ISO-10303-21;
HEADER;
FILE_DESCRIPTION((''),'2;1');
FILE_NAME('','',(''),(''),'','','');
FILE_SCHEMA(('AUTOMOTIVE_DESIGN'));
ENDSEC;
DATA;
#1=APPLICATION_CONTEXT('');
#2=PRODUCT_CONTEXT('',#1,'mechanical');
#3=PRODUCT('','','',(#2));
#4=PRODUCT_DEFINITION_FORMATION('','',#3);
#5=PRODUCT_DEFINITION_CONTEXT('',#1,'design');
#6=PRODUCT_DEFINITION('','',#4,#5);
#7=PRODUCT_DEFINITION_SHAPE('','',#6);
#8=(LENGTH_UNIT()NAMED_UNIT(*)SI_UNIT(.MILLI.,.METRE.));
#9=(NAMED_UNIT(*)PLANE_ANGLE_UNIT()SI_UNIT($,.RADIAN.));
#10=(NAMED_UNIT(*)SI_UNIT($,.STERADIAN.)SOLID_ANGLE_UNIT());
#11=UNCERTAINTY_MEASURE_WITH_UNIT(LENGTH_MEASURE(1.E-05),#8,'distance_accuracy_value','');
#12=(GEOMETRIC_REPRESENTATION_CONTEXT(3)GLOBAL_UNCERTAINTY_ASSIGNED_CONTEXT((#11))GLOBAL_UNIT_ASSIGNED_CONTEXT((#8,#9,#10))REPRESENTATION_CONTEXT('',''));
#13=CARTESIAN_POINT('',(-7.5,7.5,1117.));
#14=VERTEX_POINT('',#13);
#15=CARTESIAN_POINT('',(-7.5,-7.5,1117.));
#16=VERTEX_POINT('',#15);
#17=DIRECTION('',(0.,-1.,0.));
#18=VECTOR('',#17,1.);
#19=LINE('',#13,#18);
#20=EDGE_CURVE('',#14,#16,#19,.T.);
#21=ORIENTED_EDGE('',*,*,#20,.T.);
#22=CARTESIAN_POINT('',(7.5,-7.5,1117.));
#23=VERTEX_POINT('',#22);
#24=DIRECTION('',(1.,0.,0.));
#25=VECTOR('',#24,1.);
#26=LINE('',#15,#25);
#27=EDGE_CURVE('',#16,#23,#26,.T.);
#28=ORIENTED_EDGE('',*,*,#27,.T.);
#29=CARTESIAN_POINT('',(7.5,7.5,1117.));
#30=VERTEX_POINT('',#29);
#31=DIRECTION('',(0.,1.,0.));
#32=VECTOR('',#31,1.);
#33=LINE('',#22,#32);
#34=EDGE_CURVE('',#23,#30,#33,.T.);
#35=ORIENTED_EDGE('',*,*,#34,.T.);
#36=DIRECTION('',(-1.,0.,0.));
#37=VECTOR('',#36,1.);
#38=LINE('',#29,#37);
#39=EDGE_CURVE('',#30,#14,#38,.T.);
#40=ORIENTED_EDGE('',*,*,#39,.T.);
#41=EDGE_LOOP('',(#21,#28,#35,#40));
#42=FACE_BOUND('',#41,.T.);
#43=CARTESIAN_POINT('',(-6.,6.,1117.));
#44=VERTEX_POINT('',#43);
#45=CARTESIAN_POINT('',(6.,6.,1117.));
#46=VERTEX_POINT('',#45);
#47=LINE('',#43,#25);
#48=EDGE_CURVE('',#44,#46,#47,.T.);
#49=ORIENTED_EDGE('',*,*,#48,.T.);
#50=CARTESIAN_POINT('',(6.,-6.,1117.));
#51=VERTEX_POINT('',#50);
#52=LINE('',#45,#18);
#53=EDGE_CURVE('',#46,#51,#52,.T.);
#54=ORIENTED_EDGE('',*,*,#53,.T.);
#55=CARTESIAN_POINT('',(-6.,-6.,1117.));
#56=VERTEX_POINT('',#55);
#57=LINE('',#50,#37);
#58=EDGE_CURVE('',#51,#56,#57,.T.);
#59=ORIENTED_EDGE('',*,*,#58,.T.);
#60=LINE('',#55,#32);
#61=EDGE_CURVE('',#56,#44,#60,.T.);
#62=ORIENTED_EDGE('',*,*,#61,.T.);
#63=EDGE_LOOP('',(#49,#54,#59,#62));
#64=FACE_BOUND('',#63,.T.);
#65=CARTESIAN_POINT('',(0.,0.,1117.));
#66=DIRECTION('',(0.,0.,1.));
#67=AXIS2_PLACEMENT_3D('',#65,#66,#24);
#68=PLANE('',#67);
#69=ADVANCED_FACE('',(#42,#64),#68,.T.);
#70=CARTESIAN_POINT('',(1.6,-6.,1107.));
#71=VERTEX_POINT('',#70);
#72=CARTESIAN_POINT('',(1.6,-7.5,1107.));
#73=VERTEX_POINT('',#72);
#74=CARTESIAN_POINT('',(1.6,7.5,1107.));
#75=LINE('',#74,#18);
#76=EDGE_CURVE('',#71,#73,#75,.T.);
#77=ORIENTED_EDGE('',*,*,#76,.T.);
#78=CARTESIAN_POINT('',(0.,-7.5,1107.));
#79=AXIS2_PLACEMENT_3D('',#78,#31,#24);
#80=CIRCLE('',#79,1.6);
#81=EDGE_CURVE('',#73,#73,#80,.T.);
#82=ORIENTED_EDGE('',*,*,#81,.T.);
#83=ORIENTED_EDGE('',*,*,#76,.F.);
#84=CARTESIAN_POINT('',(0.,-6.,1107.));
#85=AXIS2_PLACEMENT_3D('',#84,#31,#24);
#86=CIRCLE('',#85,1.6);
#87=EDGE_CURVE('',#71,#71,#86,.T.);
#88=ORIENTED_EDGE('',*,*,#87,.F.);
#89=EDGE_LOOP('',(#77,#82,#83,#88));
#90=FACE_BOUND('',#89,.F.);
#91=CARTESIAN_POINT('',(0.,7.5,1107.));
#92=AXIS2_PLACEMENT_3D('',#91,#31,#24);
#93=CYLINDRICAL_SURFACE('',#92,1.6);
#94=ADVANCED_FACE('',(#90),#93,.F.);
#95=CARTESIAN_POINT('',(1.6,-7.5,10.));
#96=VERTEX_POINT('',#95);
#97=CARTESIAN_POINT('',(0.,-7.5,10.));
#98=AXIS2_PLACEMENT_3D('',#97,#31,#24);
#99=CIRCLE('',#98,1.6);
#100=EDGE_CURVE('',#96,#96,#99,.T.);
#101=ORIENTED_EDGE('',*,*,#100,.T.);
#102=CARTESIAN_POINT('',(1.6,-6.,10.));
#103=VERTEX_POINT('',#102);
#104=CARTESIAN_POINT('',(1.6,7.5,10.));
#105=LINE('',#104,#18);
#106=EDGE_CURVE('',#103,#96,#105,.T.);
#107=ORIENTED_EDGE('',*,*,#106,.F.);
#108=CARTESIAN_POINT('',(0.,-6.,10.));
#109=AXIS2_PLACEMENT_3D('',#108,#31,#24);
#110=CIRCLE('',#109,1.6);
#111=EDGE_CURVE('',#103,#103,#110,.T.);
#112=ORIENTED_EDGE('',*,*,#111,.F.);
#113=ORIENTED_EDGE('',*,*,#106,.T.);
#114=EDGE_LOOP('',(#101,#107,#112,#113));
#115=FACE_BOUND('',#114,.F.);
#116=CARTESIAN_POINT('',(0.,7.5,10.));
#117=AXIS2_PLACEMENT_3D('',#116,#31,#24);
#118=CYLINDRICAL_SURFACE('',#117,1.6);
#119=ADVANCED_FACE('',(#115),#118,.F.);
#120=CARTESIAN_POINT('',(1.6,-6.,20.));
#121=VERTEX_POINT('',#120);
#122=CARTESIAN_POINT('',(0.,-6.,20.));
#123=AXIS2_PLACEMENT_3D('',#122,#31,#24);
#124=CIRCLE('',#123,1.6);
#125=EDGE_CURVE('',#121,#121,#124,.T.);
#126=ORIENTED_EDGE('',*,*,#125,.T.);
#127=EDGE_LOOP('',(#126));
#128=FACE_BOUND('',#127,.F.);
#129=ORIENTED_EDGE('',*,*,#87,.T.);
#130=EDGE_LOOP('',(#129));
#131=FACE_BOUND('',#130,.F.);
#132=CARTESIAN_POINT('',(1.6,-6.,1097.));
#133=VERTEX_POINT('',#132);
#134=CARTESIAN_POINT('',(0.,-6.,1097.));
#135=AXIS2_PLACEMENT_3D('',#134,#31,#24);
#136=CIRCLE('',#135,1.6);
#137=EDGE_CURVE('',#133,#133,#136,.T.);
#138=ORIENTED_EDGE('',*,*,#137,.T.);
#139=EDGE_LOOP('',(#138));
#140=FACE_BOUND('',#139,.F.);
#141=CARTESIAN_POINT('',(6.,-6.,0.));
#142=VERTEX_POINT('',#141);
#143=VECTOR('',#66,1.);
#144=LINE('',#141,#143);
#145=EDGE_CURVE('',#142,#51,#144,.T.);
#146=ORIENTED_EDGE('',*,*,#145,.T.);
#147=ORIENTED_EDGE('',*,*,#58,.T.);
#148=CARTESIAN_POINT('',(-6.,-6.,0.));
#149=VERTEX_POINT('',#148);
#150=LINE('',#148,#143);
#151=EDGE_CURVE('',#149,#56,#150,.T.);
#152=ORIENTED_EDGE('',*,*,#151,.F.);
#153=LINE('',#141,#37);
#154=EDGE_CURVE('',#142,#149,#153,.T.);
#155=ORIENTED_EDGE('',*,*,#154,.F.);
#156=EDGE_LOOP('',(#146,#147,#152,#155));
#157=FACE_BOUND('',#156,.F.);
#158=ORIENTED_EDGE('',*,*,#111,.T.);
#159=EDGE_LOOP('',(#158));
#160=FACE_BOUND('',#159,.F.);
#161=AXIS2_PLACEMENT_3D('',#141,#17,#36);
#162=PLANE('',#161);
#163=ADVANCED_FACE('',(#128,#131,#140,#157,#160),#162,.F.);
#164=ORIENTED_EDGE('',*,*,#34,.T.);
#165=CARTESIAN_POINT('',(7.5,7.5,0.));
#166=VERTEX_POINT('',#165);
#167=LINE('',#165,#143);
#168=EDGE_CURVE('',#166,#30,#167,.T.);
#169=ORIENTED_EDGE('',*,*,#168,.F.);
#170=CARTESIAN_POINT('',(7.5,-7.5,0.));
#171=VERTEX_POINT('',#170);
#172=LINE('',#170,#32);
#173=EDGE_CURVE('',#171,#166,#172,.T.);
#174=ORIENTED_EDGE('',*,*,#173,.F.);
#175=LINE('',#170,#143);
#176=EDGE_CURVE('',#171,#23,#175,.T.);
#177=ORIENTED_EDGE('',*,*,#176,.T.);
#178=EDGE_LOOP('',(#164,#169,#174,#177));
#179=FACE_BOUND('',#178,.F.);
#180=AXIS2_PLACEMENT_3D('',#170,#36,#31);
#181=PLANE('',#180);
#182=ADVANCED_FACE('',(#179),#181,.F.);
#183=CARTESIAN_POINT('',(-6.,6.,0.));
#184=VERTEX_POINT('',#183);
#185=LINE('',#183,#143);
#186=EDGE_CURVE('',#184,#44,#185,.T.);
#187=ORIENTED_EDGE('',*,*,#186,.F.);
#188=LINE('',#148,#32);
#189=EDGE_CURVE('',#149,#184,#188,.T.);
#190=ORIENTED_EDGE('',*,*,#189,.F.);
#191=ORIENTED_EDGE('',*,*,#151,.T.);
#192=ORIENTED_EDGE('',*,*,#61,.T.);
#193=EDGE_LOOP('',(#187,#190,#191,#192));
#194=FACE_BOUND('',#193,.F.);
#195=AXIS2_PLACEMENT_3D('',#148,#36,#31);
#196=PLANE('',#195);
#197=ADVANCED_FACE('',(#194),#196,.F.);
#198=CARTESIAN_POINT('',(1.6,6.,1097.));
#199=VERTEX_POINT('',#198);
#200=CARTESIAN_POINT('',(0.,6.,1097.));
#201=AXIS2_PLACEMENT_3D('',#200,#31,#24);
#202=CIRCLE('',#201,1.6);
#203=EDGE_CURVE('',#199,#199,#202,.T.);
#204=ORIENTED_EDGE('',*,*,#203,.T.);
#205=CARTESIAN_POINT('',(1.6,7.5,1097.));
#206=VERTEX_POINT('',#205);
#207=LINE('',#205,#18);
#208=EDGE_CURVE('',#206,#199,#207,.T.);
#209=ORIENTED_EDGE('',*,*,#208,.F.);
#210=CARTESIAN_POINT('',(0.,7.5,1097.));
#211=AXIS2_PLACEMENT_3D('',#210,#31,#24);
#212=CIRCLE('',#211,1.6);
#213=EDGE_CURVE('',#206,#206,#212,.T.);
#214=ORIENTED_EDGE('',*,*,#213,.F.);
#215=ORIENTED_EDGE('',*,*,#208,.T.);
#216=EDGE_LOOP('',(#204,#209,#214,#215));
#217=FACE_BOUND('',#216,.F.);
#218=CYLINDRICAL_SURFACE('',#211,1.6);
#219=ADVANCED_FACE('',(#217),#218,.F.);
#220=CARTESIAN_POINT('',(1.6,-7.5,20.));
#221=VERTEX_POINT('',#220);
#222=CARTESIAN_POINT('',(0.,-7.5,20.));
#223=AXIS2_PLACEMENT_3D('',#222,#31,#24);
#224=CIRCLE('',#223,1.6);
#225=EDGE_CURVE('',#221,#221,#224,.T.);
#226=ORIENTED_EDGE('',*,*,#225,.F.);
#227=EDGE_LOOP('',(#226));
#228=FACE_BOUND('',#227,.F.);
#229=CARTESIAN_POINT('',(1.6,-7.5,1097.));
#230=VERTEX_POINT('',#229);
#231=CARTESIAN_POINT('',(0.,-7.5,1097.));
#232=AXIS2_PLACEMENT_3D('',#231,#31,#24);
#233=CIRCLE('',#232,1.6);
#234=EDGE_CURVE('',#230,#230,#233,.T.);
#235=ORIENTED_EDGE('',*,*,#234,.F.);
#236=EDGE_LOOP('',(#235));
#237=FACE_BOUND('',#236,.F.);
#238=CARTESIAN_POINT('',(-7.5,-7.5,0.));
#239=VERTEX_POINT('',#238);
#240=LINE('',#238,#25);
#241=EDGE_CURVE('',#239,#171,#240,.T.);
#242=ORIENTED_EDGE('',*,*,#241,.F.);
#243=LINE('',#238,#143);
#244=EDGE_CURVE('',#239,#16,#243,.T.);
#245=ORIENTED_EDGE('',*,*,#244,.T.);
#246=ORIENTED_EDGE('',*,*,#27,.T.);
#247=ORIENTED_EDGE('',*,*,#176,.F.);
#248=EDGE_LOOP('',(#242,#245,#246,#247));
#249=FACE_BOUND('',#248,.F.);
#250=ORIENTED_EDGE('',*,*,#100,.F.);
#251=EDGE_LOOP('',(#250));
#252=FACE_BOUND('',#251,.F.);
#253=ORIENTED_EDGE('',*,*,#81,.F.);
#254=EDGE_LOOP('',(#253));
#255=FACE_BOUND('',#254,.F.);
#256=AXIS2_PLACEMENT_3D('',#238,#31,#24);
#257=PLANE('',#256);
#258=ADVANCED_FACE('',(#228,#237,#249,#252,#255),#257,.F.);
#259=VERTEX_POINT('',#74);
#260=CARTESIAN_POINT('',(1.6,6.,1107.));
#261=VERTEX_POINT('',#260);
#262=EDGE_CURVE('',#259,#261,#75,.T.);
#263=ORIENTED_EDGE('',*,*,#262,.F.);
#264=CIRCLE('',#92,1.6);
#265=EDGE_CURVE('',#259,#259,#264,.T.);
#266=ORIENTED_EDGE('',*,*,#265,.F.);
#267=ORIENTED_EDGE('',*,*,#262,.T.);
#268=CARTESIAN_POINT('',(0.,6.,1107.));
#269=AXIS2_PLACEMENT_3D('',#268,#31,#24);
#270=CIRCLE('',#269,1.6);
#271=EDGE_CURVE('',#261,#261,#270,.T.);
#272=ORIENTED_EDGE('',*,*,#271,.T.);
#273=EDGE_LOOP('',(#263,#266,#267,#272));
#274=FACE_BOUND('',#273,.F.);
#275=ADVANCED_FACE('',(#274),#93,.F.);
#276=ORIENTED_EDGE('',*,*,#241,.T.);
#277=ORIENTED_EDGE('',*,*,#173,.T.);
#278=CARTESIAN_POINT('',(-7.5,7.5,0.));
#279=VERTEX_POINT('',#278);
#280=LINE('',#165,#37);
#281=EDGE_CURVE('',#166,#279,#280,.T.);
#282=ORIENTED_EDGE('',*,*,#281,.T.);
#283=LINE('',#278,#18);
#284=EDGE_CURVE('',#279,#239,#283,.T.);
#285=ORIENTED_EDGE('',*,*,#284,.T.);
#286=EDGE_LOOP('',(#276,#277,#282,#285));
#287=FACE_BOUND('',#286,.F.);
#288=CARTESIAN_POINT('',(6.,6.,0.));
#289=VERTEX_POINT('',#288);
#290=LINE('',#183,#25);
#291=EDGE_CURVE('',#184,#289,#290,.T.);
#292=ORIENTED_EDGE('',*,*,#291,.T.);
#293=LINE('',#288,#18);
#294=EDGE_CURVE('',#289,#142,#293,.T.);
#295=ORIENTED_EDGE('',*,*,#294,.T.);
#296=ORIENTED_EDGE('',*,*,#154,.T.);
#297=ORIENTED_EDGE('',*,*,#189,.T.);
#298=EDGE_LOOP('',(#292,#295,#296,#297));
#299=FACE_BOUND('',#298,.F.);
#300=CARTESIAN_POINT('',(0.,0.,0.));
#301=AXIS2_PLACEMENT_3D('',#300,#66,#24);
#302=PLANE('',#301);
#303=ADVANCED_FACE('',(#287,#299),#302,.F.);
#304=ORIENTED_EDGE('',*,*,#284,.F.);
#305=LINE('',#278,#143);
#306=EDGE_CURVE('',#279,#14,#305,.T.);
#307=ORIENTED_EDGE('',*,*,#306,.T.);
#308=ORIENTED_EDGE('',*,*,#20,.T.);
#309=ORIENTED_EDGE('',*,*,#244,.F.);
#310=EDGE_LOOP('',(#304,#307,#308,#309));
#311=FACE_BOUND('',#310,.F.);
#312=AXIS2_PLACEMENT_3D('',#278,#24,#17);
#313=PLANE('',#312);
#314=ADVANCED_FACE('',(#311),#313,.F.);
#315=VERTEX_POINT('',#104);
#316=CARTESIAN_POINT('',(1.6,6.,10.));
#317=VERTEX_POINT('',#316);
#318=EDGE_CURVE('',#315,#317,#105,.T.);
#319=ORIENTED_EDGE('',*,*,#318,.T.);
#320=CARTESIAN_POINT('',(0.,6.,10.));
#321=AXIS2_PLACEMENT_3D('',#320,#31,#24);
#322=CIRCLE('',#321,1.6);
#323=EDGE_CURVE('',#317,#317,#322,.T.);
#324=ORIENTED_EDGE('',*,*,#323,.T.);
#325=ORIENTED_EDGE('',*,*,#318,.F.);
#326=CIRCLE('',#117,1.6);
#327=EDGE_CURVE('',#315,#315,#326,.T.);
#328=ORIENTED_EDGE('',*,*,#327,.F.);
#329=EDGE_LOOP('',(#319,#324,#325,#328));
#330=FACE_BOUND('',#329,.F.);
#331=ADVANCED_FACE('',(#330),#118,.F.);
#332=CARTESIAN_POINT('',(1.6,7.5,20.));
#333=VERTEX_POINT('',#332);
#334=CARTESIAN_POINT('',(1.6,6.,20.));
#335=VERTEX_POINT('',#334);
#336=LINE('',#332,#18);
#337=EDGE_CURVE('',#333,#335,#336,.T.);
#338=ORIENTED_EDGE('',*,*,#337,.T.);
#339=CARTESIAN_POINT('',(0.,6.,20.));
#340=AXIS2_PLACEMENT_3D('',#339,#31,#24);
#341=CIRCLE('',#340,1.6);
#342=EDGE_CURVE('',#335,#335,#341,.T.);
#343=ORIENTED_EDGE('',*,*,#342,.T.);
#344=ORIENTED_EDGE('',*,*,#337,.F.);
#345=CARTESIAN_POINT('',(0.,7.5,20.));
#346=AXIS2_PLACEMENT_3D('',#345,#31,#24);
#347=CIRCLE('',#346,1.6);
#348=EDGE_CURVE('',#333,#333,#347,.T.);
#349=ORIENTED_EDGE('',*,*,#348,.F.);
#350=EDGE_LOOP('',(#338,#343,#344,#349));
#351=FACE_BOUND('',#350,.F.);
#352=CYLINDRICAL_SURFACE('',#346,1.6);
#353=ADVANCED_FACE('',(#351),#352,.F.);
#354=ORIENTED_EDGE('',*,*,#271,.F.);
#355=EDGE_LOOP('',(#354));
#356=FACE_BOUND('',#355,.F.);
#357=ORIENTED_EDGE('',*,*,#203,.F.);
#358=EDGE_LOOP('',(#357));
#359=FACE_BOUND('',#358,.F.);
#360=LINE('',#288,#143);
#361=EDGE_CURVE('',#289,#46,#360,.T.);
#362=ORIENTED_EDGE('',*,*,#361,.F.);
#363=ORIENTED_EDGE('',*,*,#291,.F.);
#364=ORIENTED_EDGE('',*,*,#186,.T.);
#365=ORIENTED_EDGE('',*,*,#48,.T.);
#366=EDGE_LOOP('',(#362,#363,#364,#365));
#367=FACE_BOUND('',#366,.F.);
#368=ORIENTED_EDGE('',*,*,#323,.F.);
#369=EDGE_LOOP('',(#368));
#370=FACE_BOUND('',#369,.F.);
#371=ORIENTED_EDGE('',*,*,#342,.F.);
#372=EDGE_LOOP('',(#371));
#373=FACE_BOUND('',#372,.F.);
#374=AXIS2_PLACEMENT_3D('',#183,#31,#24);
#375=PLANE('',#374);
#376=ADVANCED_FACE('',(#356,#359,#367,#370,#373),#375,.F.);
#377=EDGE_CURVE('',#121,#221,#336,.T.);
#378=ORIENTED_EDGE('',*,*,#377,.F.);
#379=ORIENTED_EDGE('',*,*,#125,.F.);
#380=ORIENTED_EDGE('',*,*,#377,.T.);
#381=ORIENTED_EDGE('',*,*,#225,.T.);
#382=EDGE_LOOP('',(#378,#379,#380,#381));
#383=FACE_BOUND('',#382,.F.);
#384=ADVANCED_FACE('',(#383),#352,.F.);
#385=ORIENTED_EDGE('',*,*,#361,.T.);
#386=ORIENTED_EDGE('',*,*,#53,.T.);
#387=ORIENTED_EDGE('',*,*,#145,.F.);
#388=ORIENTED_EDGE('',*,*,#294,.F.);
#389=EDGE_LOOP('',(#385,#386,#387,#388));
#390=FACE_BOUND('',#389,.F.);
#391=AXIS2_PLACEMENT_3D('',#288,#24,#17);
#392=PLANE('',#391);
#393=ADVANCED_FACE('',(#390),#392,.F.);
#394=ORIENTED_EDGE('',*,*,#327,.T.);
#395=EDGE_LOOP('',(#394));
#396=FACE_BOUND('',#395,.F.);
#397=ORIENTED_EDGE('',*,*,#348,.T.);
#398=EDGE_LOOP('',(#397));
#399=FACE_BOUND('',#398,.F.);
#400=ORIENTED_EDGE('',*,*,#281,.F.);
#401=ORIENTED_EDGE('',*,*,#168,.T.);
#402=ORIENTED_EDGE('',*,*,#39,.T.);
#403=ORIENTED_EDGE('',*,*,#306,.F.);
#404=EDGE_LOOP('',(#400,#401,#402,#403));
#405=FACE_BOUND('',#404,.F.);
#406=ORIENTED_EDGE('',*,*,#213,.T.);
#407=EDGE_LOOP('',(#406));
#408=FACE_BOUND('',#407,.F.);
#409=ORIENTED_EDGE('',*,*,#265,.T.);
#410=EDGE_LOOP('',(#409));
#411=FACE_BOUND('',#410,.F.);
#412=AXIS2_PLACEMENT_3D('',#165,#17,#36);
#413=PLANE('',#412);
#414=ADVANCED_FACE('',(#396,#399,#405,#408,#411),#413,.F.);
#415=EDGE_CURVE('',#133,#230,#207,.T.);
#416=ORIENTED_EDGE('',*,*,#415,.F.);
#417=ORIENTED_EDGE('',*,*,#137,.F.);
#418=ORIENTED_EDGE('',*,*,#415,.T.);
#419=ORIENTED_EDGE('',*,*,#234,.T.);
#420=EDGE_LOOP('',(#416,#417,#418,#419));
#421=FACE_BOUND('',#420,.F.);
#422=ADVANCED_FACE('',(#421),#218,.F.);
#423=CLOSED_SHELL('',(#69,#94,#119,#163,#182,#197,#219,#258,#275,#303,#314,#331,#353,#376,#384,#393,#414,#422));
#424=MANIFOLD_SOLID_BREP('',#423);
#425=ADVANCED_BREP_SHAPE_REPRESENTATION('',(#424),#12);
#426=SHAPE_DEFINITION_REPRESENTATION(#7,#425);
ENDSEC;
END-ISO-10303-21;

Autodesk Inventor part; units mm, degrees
ref_plane "YZ Plane" through (0, 0, 0) normal (1, 0, 0) x (0, 1, 0)
ref_plane "XZ Plane" through (0, 0, 0) normal (0, 1, 0) x (-1, 0, 0)
ref_plane "XY Plane" through (0, 0, 0) normal (0, 0, 1) x (1, 0, 0)
sketch "スケッチ1" plane through (0, 0, 0) normal (0, 0, 1) x (1, 0, 0)
  line L0 (7.5, 7.5) -> (-7.5, 7.5)
  line L1 (-7.5, 7.5) -> (-7.5, -7.5)
  line L2 (-7.5, -7.5) -> (7.5, -7.5)
  line L3 (7.5, -7.5) -> (7.5, 7.5)
  line L4 (7.5, 7.5) -> (-7.5, -7.5) construction
  line L5 (-7.5, 7.5) -> (7.5, -7.5) construction
  line L6 (-6, 6) -> (6, 6)
  line L7 (6, 6) -> (6, -6)
  line L8 (6, -6) -> (-6, -6)
  line L9 (-6, -6) -> (-6, 6)
  point P0 (0, 0)
  dimension "d0" = 15
  dimension "d1" = 15
  dimension "d2" = 1.5
extrude "押し出し1" add sketch "スケッチ1" along normal blind 1117
sketch "スケッチ2" plane through (-7.5, 7.5, 1117) normal (0, 1, 0) x (1, 0, 0)
  circle A0 centre (7.5, 1107) radius 1.6
  circle A1 centre (7.5, 1097) radius 1.6
  line L0 (15, 1117) -> (0, 1117) projected
  circle A2 centre (7.5, 10) radius 1.6
  circle A3 centre (7.5, 20) radius 1.6
  line L1 (15, 0) -> (0, 0) projected
  point P0 (7.5, 1117)
  point P1 (7.5, 1117)
  point P2 (7.5, 0)
  dimension "d5" = 3.2
  dimension "d6" = 3.2
  dimension "d7" = 10
  dimension "d8" = 10
  dimension "d9" = 3.2
  dimension "d10" = 3.2
  dimension "d11" = 10
  dimension "d12" = 10
extrude "押し出し2" cut sketch "スケッチ2" against normal through all
properties part number "上昇機構_角柱2" material "アルミニウム 6061"
